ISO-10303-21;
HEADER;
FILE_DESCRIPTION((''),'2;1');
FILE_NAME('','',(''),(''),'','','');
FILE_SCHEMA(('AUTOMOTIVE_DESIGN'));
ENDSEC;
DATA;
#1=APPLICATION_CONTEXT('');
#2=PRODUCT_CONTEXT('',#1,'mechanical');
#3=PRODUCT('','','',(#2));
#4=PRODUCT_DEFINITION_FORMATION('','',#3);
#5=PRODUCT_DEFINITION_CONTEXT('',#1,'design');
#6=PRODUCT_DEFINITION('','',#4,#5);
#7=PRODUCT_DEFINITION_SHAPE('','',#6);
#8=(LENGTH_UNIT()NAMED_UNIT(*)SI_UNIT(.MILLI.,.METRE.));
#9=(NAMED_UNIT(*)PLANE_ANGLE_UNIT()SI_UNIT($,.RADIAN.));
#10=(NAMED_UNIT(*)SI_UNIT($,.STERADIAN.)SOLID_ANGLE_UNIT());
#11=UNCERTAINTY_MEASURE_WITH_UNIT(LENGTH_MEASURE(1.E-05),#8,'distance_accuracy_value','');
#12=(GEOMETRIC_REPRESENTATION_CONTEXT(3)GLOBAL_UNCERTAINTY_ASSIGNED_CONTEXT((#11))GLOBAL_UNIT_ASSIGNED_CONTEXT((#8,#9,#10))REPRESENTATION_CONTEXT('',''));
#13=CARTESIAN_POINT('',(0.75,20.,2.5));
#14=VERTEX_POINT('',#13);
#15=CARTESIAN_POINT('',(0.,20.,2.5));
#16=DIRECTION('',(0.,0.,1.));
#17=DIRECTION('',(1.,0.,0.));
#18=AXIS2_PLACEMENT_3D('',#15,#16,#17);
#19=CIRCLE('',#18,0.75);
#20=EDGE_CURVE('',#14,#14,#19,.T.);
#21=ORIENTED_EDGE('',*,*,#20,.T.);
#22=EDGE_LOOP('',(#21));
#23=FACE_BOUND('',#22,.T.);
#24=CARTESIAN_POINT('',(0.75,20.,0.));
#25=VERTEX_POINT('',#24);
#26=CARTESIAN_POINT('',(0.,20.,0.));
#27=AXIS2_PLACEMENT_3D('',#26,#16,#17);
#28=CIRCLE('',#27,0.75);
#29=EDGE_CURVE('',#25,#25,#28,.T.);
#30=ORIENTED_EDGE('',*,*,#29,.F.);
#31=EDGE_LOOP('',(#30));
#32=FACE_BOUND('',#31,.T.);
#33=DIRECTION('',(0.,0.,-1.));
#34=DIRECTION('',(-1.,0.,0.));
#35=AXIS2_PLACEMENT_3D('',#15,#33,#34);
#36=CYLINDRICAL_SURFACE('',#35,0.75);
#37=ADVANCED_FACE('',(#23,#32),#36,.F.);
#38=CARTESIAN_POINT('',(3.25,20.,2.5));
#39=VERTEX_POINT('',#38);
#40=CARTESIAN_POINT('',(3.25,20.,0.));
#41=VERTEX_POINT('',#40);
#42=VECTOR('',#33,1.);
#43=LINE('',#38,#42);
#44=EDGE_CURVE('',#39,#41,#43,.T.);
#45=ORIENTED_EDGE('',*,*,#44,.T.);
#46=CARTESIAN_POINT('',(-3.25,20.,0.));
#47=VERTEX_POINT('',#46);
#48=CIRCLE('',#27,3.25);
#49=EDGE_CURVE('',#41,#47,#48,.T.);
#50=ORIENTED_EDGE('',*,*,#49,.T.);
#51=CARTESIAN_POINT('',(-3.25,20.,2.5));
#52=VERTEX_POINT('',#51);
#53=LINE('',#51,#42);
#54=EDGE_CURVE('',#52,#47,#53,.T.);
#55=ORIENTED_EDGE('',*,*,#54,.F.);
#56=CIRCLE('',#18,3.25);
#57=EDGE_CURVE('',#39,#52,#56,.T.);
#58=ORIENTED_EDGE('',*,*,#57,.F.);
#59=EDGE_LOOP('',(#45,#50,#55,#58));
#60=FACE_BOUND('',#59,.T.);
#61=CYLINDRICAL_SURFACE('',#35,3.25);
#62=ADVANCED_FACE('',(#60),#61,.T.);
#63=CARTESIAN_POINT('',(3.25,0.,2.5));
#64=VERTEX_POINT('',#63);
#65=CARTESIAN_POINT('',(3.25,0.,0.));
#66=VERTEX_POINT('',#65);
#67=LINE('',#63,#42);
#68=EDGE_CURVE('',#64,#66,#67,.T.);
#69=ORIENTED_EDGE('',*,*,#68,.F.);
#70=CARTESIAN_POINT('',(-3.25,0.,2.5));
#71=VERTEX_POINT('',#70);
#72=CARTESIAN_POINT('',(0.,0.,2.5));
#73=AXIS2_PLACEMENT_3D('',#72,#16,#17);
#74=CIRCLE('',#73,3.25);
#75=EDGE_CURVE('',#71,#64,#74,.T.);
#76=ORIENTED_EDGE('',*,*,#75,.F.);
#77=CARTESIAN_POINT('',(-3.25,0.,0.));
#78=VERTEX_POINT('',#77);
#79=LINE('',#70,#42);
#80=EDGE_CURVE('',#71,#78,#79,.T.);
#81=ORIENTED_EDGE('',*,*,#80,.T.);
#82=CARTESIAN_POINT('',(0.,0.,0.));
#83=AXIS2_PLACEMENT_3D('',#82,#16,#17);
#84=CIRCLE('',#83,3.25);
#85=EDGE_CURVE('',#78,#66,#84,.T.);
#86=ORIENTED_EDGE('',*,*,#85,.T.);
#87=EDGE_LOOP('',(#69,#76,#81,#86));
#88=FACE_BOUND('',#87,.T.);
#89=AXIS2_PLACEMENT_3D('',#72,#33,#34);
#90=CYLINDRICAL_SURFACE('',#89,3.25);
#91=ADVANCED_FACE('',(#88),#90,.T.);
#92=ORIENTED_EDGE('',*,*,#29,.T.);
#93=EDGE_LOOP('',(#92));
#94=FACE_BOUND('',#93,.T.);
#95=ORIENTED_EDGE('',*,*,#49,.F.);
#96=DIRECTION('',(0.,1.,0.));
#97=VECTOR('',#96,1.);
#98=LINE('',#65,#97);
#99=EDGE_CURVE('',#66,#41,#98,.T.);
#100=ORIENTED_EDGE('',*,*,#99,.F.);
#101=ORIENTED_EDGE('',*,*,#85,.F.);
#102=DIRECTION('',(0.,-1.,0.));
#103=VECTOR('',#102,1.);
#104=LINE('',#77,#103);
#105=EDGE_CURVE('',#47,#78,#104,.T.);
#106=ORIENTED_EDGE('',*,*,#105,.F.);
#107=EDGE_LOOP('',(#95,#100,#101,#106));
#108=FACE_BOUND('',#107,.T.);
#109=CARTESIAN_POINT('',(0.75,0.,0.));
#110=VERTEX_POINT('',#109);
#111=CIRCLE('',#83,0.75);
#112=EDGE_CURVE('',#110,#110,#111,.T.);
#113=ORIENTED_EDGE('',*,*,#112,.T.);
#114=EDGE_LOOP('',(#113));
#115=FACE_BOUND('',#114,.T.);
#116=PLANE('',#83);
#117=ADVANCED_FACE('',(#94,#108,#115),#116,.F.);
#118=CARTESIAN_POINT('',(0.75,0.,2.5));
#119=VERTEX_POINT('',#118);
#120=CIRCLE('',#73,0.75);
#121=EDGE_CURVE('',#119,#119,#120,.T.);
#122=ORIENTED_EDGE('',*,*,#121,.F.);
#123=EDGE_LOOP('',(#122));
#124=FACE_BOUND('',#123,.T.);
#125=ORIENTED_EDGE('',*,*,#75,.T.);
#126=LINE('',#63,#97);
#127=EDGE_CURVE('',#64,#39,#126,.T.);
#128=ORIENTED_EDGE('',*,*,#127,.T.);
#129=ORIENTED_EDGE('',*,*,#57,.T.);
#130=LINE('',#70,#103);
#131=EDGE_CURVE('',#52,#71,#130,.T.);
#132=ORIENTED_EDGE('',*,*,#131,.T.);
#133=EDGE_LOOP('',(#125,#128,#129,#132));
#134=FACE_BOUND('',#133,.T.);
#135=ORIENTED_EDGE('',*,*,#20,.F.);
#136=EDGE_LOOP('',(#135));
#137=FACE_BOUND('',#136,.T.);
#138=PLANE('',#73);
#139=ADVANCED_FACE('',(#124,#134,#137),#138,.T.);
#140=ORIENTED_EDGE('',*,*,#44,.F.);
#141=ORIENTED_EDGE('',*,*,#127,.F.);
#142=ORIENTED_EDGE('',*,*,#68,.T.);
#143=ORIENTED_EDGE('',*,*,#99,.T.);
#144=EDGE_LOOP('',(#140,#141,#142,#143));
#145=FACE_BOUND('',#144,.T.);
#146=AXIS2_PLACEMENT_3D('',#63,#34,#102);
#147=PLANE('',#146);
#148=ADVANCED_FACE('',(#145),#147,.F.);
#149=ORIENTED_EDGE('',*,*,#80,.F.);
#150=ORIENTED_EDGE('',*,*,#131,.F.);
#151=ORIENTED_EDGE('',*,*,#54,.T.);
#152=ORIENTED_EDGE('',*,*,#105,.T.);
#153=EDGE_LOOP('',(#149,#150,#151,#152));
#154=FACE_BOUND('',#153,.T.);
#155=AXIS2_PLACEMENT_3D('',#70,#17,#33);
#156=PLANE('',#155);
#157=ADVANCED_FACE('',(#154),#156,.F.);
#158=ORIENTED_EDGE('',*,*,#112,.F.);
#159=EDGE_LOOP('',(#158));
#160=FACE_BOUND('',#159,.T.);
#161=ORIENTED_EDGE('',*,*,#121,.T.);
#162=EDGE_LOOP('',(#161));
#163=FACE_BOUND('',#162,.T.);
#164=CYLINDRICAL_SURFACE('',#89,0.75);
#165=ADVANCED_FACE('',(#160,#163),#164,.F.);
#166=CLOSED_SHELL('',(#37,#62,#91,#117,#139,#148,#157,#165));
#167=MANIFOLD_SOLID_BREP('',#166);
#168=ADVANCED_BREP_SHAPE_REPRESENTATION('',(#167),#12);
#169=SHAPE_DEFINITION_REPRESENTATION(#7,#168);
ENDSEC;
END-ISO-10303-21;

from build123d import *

# Parameters (mm, degrees)
SKETCH1_R           = 0.75
BOSS_EXTRUDE1_DEPTH = 2.5


with BuildPart() as part:
    # Sketch1 → Boss-Extrude1 (new body)
    with BuildSketch(Plane.XY):
        with BuildLine():
            Line((-3.25, 0), (-3.25, 20))
            ThreePointArc((-3.25, 20), (0, 23.25), (3.25, 20))
            Line((3.25, 20), (3.25, 0))
            ThreePointArc((3.25, 0), (0, -3.25), (-3.25, 0))
        make_face()
        with Locations((0, 20)):
            Circle(SKETCH1_R, mode=Mode.SUBTRACT)
        Circle(SKETCH1_R, mode=Mode.SUBTRACT)
    extrude(amount=BOSS_EXTRUDE1_DEPTH)


solid = part.part
